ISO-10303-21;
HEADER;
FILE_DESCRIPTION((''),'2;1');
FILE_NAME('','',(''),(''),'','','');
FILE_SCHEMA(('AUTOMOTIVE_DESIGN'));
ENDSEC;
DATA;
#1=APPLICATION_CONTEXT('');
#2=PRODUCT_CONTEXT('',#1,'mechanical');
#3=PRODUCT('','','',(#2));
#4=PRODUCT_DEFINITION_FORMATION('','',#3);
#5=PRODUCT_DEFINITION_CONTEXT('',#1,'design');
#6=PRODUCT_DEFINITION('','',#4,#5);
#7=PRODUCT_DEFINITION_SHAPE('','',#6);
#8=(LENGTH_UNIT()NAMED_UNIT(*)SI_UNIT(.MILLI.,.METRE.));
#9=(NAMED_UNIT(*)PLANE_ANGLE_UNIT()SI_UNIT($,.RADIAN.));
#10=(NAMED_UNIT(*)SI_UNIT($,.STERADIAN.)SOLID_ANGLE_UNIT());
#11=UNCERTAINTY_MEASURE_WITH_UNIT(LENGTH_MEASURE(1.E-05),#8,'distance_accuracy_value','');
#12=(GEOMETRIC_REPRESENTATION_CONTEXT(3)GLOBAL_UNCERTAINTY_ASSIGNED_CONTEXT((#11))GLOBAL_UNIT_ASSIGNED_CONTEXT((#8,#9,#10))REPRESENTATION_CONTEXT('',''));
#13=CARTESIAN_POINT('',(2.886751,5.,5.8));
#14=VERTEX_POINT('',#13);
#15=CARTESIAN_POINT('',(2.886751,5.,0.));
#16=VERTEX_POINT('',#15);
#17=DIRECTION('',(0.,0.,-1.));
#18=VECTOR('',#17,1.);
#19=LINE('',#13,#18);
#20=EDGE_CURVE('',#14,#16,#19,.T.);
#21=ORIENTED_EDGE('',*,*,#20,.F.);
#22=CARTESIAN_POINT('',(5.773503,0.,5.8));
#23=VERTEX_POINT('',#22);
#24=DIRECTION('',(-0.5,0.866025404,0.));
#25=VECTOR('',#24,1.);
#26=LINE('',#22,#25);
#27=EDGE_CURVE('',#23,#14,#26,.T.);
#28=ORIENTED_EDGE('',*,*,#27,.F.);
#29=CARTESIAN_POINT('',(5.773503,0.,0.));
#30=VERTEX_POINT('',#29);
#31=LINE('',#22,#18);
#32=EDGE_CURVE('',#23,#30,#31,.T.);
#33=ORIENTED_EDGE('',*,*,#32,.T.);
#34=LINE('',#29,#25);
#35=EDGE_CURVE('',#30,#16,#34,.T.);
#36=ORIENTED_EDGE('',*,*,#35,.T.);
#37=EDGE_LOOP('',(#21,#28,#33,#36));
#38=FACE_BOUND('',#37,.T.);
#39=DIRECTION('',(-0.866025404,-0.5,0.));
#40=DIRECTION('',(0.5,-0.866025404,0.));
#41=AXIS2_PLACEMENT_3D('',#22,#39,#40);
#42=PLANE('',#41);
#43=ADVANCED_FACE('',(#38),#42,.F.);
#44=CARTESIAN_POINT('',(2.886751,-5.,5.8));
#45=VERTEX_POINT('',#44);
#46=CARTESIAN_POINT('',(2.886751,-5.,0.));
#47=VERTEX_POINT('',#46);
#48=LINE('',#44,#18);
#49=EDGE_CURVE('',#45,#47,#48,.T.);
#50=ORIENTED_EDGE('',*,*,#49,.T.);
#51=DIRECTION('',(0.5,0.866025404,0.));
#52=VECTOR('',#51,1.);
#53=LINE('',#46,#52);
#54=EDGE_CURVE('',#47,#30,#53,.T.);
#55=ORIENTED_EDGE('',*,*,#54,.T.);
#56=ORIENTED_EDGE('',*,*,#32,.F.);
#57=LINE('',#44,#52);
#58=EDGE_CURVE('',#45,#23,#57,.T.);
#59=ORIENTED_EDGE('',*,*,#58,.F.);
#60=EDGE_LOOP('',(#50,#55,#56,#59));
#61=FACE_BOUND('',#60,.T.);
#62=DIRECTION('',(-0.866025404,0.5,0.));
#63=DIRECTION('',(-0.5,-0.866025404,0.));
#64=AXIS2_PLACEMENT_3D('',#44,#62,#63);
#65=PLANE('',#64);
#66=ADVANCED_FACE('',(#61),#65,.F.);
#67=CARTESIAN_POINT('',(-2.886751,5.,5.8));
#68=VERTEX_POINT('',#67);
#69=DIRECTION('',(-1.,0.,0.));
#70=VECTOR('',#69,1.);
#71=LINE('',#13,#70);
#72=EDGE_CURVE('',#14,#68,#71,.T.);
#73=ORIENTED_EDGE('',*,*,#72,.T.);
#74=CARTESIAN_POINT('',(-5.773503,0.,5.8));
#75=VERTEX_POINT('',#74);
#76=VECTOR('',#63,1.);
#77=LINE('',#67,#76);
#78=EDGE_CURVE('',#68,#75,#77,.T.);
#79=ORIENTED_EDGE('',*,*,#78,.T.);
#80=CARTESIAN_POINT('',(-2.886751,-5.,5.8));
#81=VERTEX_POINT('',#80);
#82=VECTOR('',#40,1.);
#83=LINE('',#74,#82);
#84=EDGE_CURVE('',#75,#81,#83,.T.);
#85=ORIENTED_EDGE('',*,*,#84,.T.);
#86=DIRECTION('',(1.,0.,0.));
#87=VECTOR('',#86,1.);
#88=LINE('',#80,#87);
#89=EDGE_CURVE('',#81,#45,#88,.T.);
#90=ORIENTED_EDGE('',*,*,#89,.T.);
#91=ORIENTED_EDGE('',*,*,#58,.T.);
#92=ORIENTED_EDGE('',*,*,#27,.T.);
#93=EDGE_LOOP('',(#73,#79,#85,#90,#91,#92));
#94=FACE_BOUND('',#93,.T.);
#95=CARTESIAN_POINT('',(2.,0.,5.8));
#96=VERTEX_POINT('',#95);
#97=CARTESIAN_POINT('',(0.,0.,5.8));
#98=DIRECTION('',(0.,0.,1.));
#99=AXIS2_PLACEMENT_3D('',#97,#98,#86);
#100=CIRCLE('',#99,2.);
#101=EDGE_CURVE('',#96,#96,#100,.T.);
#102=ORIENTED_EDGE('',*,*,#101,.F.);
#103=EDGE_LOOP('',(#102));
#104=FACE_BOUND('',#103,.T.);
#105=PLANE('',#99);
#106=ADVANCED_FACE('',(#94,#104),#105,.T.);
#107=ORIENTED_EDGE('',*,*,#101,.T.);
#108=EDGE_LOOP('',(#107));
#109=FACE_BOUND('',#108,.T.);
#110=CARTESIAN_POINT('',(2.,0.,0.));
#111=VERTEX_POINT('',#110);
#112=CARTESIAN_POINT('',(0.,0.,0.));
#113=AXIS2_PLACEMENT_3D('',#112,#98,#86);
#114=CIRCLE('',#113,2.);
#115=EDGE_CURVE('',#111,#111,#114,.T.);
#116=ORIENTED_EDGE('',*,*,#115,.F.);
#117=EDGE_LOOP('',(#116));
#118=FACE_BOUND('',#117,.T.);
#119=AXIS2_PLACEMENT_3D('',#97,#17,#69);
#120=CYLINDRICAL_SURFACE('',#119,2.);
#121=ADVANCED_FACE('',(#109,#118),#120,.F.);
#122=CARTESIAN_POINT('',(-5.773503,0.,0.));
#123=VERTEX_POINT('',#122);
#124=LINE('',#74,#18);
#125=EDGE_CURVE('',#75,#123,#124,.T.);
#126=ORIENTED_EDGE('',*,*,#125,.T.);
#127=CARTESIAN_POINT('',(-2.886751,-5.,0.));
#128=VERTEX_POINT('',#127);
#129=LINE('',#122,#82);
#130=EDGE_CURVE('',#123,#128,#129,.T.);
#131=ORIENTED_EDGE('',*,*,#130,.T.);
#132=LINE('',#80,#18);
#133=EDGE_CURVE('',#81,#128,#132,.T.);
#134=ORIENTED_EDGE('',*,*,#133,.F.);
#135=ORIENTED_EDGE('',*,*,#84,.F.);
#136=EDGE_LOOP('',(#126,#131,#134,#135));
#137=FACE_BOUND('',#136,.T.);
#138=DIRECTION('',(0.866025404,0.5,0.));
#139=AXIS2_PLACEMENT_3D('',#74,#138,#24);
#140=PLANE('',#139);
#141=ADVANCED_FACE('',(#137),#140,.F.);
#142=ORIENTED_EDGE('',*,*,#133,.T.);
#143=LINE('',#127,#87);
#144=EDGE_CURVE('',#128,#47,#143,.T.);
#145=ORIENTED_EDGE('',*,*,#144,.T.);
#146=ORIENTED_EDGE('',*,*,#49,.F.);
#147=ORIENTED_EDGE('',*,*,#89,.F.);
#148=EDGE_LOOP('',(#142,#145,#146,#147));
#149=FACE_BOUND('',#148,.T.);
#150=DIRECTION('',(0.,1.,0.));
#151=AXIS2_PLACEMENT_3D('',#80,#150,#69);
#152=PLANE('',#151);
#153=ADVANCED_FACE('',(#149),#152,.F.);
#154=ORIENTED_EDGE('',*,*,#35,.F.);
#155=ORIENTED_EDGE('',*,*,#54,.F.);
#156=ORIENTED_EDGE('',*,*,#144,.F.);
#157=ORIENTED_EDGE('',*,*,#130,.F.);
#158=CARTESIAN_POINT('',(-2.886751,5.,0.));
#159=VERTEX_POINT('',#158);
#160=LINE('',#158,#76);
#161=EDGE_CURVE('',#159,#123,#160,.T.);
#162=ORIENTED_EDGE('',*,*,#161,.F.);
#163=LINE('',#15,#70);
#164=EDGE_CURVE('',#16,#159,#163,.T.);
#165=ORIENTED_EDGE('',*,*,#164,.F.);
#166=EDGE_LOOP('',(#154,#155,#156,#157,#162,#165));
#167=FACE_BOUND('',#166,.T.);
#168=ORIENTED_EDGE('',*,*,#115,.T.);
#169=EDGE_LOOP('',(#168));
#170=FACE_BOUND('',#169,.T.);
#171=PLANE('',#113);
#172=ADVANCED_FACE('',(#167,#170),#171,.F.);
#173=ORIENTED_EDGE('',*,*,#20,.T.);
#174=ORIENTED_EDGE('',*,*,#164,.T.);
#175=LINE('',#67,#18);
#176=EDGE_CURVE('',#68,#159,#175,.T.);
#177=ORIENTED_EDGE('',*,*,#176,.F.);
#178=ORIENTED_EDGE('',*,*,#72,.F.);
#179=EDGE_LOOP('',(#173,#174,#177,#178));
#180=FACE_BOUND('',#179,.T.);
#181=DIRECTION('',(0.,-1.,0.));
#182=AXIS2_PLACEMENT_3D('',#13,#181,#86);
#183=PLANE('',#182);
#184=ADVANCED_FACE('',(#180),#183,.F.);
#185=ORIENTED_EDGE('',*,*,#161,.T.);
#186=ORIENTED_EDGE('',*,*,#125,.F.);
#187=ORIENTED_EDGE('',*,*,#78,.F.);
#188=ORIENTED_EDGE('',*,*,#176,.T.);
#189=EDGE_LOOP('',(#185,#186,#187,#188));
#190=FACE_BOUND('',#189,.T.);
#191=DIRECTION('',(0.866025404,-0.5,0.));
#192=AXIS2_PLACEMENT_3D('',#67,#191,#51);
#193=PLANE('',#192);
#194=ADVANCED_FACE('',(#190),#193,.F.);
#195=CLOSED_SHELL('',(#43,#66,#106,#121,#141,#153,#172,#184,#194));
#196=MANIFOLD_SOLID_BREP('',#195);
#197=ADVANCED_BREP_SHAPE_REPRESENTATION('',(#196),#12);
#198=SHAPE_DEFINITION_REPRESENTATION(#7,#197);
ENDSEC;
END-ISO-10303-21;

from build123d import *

# Parameters (mm, degrees)
SKETCH_1_R      = 2
EXTRUDE_1_DEPTH = 5.8


with BuildPart() as part:
    # 草图1 → 凸台-拉伸1 (new body)
    with BuildSketch(Plane.XY):
        Polygon((2.886751346, -5), (5.773502692, 0), (2.886751346, 5), (-2.886751346, 5), (-5.773502692, 0), (-2.886751346, -5), align=None)
        Circle(SKETCH_1_R, mode=Mode.SUBTRACT)
    extrude(amount=EXTRUDE_1_DEPTH)


solid = part.part
